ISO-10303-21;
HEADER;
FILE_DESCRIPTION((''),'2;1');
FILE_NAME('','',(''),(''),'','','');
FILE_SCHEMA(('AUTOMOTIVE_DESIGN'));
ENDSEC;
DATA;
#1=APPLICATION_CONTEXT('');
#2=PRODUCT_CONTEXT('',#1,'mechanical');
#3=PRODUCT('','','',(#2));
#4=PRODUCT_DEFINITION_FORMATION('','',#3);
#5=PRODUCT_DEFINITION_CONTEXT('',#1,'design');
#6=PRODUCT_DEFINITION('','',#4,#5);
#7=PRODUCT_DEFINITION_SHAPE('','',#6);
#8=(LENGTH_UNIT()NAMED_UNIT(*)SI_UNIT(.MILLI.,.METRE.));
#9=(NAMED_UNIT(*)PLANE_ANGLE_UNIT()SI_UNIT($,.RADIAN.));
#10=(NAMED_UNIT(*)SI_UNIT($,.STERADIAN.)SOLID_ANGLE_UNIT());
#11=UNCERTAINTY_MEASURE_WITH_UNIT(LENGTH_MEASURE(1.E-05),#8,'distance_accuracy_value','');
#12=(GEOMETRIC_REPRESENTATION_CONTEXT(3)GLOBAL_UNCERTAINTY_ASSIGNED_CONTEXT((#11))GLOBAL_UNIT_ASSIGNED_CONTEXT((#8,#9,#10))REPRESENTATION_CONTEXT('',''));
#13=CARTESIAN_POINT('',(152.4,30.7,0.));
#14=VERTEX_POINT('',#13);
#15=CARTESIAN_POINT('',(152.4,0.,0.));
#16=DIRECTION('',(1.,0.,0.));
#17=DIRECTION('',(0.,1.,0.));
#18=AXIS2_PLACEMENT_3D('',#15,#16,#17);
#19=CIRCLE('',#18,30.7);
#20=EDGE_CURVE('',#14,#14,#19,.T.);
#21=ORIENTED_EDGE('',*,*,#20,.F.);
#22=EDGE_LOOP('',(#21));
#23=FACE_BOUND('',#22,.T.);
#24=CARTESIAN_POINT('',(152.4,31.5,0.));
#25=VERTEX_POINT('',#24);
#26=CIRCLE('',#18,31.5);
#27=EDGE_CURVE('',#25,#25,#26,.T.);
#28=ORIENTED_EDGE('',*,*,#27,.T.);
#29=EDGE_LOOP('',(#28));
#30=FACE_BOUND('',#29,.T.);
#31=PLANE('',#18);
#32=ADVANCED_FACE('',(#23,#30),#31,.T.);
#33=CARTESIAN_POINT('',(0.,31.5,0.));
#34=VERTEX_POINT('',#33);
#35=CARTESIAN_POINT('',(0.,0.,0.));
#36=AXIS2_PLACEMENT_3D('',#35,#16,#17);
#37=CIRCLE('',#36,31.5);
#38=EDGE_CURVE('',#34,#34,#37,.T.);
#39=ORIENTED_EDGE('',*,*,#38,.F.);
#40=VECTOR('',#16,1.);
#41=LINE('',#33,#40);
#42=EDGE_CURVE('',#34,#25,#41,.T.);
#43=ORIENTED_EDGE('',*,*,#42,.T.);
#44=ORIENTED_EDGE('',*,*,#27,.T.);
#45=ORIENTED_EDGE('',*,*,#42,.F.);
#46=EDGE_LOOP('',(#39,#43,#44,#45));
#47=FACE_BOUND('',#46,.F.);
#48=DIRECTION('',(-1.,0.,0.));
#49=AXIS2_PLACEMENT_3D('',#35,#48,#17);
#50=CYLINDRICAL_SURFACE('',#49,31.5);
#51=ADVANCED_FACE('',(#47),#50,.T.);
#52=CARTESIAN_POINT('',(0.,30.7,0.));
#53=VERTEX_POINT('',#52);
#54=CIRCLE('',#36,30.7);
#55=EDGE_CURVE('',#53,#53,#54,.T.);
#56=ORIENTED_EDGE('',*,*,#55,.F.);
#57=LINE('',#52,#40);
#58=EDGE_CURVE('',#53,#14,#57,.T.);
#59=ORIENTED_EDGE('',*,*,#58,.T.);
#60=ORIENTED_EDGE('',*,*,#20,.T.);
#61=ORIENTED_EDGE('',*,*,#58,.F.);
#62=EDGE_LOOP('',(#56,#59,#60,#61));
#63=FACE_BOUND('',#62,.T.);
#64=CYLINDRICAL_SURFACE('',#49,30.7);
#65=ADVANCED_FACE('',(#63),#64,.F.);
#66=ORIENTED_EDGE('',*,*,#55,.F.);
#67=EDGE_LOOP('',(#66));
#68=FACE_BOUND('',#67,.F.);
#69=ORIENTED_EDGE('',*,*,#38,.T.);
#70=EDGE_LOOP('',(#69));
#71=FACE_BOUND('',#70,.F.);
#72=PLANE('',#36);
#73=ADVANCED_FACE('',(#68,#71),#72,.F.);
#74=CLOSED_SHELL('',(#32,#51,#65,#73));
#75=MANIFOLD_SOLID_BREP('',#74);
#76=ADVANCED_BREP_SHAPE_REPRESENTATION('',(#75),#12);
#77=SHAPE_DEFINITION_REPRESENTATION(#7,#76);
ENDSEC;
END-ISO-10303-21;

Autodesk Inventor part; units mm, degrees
ref_plane "YZ Plane" through (0, 0, 0) normal (1, 0, 0) x (0, 1, 0)
ref_plane "XZ Plane" through (0, 0, 0) normal (0, 1, 0) x (-1, 0, 0)
ref_plane "XY Plane" through (0, 0, 0) normal (0, 0, 1) x (1, 0, 0)
sketch "Sketch1" plane through (0, 0, 0) normal (1, 0, 0) x (0, 1, 0)
  circle A0 centre (0, 0) radius 31.5
  circle A1 centre (0, 0) radius 30.7
  dimension "d0" = 63
  dimension "d1" = 0.8
extrude "Extrusion1" add sketch "Sketch1" along normal blind 152.4
equation "\"d0\" = OD"
equation "\"d1\" = t"
equation "\"d2\" = L"
equation "\"OD\" = 63"
equation "\"t\" = 0.8"
equation "\"L\" = PL"
equation "\"ID\" = 61.4"
equation "\"PL\" = 152.4"
properties part number "ISO 4065 Pipe DN63x0.8xS40 - 165.10000000" material "PVC-Piping"
